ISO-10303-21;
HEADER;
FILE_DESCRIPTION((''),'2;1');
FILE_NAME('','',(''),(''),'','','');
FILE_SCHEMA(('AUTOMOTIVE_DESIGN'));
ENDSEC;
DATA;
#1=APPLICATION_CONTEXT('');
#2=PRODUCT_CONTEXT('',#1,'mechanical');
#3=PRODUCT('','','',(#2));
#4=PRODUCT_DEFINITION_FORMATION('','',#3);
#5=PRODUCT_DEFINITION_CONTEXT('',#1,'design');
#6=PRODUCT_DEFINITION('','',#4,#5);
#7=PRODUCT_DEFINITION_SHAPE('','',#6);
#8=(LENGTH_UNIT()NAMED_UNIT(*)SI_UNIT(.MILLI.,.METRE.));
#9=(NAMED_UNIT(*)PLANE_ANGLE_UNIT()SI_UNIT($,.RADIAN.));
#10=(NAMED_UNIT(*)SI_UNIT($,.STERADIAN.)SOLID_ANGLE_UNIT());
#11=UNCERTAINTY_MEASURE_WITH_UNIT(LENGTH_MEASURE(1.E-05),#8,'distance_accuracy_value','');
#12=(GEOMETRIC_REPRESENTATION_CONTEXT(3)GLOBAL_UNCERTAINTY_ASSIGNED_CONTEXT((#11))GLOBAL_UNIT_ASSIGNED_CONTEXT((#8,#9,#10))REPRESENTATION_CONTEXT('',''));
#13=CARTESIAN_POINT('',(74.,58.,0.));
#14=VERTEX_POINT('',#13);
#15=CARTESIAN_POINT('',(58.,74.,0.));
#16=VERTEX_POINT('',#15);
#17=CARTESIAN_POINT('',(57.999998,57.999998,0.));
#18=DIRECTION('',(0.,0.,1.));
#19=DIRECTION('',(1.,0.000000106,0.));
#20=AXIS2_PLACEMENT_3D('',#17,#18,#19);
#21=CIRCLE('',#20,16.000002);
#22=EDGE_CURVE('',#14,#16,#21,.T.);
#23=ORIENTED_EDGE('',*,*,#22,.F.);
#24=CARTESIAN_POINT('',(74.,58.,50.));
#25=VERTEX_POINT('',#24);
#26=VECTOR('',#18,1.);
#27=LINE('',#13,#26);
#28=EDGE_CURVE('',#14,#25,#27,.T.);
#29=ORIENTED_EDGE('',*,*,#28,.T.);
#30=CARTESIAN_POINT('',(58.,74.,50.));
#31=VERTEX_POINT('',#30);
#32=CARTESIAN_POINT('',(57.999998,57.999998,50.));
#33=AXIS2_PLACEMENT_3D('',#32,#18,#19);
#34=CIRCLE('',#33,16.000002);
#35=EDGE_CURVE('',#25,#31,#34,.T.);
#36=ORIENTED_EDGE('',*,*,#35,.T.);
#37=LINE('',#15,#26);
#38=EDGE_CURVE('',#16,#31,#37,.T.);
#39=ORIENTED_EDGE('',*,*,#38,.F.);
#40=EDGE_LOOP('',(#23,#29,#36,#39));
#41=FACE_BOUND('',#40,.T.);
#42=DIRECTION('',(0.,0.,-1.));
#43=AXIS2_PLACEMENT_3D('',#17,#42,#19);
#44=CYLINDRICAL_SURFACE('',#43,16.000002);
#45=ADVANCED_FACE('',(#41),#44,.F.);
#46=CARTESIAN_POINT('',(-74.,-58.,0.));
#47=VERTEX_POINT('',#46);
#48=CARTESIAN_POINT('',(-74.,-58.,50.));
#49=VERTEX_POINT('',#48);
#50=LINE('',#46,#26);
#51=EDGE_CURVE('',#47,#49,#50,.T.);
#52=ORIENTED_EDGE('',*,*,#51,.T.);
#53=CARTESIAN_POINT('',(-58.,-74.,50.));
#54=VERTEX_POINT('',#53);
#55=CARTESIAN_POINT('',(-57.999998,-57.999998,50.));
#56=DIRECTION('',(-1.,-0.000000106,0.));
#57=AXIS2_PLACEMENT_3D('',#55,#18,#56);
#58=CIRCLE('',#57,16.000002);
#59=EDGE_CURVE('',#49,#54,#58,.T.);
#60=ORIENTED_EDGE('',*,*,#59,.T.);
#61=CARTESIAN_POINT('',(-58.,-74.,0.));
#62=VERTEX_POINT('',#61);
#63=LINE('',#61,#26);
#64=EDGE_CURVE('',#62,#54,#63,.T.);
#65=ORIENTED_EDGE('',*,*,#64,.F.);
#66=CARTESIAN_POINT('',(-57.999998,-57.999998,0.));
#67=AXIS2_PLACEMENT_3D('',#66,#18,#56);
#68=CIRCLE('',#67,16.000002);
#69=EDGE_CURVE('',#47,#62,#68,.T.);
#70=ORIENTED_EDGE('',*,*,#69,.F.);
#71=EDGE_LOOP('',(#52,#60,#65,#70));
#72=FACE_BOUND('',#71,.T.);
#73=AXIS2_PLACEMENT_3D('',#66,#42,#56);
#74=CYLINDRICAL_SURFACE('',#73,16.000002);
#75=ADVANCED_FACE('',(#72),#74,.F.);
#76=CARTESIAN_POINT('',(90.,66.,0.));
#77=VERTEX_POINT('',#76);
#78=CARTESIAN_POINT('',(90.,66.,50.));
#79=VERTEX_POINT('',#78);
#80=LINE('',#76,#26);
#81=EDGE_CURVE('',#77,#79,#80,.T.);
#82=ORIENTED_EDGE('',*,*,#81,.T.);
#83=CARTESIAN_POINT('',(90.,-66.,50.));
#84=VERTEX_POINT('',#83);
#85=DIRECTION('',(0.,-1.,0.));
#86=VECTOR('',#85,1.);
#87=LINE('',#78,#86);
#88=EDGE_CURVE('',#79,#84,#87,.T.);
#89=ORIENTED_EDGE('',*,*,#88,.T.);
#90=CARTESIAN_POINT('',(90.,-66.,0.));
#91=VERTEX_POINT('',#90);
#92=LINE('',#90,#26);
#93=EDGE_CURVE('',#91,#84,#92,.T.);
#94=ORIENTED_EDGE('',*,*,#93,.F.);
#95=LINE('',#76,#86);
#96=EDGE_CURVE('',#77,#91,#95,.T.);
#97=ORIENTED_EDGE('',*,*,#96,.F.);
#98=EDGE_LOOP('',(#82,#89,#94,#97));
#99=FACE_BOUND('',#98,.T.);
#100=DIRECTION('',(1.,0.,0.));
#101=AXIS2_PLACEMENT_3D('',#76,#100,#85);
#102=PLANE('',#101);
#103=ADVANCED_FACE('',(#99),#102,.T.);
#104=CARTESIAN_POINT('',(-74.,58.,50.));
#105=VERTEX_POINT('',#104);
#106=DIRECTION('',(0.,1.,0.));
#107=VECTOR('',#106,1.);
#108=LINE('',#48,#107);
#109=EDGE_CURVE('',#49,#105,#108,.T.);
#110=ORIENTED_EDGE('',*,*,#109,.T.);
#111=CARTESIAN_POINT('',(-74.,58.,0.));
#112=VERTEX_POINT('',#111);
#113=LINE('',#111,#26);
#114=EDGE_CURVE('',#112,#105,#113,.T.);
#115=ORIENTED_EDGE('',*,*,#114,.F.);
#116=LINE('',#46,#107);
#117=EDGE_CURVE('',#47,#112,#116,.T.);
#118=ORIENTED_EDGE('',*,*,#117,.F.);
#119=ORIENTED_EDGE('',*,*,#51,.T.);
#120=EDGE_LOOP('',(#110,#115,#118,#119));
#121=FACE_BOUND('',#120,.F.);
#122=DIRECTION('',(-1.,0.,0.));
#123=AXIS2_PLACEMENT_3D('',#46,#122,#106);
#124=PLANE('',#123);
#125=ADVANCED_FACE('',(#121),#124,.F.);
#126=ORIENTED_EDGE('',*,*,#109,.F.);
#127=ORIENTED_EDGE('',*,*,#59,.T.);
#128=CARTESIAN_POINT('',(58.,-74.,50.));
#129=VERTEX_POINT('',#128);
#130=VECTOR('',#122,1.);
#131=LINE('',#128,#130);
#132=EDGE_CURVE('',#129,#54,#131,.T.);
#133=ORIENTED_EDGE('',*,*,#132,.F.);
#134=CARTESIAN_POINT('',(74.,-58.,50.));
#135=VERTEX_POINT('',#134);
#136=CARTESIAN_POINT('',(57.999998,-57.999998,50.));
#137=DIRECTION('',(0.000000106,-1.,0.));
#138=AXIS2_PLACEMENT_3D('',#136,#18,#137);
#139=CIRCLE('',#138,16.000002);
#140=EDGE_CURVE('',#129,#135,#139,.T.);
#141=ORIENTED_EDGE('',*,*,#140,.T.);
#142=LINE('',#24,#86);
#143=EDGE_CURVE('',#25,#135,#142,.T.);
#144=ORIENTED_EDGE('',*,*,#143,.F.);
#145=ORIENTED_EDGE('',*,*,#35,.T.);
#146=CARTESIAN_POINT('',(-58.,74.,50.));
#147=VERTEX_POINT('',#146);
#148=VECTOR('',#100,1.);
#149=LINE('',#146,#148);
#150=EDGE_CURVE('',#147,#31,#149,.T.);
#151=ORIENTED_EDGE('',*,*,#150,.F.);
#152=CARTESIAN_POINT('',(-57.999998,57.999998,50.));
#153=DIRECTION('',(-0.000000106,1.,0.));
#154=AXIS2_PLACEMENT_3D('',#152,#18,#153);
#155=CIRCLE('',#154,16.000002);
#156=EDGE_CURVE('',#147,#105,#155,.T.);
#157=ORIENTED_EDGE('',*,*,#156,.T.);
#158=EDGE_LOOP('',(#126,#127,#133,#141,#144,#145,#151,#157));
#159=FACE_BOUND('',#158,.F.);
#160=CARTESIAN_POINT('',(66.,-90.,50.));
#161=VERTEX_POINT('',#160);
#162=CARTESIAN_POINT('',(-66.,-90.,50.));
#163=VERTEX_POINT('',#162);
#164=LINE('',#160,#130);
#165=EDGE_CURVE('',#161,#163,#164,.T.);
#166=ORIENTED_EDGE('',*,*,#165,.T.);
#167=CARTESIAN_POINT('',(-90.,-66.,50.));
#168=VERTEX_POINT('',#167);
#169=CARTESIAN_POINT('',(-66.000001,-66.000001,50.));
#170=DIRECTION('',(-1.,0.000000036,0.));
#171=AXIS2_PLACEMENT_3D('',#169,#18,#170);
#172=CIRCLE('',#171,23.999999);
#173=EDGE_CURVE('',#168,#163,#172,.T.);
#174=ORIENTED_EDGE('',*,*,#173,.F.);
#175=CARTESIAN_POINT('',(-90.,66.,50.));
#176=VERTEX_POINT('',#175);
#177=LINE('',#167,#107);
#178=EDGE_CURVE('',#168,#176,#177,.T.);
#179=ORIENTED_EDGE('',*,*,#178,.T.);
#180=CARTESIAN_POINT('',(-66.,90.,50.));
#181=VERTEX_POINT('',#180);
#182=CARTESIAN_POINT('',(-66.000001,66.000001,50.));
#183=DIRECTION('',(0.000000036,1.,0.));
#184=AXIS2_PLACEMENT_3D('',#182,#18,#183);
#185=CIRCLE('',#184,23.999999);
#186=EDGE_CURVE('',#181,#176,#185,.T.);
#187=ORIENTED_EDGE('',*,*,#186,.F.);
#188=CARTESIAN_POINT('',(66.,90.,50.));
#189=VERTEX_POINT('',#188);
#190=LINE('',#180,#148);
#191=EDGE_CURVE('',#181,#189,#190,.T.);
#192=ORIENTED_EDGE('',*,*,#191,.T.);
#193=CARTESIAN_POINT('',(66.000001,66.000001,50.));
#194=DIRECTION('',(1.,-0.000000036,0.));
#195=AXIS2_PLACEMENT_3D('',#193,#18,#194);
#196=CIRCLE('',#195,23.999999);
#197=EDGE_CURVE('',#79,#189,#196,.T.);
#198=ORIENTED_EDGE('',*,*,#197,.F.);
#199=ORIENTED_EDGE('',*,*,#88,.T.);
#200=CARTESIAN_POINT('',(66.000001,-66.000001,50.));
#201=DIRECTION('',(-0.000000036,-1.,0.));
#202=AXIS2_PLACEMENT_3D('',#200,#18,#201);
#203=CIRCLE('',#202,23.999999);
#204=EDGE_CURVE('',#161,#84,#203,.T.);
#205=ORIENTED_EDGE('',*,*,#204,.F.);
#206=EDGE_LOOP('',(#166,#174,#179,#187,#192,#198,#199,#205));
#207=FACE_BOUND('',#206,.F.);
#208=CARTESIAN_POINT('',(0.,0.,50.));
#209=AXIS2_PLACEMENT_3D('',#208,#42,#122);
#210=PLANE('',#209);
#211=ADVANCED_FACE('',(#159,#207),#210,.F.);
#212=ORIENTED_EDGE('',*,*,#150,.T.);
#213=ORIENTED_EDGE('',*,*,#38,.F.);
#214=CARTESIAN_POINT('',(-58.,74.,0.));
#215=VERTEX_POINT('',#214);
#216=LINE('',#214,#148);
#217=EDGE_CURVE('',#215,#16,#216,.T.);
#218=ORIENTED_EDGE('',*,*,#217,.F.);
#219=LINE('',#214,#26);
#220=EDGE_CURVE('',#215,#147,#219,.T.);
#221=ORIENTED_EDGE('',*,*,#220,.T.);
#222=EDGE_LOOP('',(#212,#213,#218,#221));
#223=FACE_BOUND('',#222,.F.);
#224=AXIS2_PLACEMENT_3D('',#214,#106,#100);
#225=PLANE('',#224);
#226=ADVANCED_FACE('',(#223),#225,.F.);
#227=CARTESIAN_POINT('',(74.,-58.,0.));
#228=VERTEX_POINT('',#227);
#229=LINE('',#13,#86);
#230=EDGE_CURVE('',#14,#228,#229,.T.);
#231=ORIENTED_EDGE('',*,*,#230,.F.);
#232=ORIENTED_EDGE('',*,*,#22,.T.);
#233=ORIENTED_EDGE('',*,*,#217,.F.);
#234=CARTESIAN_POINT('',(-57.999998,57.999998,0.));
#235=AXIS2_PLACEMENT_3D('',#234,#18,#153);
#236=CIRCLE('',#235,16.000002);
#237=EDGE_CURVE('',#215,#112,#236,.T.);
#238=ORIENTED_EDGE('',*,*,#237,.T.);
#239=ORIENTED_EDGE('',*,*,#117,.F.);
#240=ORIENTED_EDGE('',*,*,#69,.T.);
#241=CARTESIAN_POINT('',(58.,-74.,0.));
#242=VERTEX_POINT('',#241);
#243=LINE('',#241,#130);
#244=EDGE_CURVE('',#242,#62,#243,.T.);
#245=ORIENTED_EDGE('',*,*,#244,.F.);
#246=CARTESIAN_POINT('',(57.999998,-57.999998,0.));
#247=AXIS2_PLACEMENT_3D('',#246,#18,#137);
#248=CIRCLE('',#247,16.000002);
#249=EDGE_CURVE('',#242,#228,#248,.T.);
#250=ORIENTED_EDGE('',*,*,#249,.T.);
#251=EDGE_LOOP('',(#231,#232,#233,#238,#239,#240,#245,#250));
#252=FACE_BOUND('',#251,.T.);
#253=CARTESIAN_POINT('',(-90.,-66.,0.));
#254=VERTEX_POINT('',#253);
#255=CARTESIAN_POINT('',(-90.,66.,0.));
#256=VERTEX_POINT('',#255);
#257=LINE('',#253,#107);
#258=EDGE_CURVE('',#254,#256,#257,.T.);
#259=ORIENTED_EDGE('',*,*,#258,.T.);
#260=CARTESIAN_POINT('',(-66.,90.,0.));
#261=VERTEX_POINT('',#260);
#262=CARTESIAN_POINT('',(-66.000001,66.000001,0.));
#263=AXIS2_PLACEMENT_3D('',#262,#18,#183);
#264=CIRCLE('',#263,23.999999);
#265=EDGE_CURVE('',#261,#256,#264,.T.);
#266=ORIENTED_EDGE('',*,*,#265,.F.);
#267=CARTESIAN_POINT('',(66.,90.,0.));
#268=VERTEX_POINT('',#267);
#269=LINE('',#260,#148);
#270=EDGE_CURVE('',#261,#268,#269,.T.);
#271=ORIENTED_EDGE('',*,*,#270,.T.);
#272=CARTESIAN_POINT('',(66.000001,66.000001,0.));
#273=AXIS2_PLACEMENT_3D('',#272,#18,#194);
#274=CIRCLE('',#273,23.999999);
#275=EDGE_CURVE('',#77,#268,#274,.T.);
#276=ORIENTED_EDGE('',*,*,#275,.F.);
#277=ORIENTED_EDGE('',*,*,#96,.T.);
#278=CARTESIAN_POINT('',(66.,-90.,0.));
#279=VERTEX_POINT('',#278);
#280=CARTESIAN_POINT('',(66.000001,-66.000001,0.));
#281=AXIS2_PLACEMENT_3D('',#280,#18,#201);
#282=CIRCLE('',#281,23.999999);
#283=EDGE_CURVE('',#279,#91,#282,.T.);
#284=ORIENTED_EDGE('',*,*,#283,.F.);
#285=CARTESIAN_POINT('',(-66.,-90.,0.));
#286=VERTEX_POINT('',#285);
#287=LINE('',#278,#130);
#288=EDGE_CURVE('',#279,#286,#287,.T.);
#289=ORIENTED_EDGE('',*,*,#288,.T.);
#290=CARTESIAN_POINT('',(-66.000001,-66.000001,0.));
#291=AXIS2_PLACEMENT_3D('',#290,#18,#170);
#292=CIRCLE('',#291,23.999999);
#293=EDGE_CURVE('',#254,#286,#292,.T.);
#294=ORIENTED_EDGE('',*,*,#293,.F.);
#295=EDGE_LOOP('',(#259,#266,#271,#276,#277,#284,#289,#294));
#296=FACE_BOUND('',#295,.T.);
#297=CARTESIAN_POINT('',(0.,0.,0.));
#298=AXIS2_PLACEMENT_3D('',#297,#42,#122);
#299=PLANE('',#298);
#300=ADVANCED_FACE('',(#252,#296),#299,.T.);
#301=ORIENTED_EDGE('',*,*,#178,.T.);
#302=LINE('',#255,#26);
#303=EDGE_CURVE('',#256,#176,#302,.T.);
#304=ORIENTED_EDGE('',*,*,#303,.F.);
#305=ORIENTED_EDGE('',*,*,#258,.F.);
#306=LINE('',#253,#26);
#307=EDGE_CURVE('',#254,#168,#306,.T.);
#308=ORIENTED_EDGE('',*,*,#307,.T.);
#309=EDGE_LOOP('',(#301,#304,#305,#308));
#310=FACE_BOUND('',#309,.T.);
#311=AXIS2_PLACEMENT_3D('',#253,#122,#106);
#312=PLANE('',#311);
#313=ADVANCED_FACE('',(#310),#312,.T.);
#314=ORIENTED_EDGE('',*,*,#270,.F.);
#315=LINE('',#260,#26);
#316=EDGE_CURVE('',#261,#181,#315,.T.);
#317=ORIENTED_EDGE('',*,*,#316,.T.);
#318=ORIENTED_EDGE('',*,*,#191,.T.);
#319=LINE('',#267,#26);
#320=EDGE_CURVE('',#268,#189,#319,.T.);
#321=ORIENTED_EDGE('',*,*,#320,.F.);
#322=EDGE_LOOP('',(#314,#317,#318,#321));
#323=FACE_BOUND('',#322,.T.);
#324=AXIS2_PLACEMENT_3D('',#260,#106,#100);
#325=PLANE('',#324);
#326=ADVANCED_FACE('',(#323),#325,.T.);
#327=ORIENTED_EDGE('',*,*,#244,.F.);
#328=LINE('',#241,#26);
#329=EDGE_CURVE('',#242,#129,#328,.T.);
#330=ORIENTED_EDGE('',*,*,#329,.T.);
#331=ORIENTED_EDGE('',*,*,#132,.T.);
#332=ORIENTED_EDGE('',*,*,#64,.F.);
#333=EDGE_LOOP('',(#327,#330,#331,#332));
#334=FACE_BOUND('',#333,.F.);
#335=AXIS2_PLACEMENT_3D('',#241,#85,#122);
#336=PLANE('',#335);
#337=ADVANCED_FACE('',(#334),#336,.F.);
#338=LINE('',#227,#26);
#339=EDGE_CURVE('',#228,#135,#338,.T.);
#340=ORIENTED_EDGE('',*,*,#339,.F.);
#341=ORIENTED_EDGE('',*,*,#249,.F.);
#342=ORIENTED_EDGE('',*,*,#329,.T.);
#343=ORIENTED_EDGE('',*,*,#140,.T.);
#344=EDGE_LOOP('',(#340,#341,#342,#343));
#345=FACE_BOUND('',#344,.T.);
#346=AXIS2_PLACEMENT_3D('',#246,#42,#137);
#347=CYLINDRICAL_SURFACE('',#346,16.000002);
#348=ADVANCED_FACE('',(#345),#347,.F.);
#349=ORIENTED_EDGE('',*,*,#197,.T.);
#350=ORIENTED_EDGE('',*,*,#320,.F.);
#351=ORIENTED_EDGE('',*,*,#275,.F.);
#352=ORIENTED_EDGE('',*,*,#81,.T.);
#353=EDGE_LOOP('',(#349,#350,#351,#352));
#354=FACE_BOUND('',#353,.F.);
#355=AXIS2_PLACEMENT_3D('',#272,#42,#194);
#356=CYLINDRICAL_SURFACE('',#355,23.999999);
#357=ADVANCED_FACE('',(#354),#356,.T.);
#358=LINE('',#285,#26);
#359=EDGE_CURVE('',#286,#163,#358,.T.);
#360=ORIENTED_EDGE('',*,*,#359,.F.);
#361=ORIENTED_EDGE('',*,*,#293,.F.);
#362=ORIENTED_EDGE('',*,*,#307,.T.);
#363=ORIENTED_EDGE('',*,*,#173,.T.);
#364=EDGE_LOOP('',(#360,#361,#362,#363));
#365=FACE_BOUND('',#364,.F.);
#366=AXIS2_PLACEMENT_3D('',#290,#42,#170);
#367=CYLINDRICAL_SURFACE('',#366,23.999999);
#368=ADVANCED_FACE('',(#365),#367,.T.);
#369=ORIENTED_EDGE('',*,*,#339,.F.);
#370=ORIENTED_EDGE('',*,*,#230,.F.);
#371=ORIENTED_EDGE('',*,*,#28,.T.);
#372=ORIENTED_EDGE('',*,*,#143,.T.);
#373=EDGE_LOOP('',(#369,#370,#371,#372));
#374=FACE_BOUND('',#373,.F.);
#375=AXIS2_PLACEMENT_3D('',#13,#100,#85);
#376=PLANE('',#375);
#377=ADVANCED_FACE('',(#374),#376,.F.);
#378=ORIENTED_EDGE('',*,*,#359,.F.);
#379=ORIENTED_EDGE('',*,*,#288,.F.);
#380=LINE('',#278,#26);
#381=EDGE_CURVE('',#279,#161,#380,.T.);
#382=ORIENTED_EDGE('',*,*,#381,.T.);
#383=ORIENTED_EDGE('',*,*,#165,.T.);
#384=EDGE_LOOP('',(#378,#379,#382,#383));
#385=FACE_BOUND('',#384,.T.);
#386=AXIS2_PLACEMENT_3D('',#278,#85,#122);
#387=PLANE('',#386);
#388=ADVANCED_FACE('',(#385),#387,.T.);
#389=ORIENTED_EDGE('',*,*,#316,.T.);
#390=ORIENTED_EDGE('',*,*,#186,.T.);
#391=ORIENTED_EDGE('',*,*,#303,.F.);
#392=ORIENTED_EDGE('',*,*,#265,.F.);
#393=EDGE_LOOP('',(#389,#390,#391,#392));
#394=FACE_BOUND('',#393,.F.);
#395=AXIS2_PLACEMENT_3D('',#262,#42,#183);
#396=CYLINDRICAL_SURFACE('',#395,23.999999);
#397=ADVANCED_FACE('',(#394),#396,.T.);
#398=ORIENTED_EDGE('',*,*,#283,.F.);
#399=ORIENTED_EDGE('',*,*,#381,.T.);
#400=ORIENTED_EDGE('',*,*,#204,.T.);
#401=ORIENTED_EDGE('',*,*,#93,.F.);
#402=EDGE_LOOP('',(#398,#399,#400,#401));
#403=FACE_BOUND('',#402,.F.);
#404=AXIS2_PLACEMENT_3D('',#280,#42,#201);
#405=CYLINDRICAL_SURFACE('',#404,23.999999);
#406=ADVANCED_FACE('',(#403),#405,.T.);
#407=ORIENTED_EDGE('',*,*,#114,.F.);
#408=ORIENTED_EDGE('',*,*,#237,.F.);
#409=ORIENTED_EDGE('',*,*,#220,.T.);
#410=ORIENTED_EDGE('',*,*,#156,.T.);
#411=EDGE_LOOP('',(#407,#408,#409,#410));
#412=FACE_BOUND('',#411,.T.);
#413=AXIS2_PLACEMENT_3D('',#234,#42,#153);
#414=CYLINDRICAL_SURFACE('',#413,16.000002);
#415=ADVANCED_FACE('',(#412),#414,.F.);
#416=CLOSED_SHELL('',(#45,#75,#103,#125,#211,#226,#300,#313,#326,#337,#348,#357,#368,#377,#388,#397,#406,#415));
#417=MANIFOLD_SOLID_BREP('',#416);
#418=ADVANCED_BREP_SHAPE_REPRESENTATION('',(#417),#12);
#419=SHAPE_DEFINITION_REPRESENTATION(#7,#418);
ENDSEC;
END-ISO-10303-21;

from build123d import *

# Parameters (mm, degrees)
EXTRUDE_DEPTH = 50


with BuildPart() as part:
    # Sketch → Extrude (new body)
    with BuildSketch(Plane.XY):
        with BuildLine():
            Line((-66, 90), (66, 90))
            ThreePointArc((90, 66), (82.970563, 82.970563), (66, 90))
            Line((90, 66), (90, -66))
            ThreePointArc((66, -90), (82.970563, -82.970563), (90, -66))
            Line((66, -90), (-66, -90))
            ThreePointArc((-90, -66), (-82.970563, -82.970563), (-66, -90))
            Line((-90, -66), (-90, 66))
            ThreePointArc((-66, 90), (-82.970563, 82.970563), (-90, 66))
        make_face()
        with BuildLine():
            Line((-58, 74), (58, 74))
            ThreePointArc((74, 58), (69.313708, 69.313708), (58, 74))
            Line((74, 58), (74, -58))
            ThreePointArc((58, -74), (69.313708, -69.313708), (74, -58))
            Line((58, -74), (-58, -74))
            ThreePointArc((-74, -58), (-69.313708, -69.313708), (-58, -74))
            Line((-74, -58), (-74, 58))
            ThreePointArc((-58, 74), (-69.313708, 69.313708), (-74, 58))
        make_face(mode=Mode.SUBTRACT)
    extrude(amount=EXTRUDE_DEPTH)


solid = part.part
